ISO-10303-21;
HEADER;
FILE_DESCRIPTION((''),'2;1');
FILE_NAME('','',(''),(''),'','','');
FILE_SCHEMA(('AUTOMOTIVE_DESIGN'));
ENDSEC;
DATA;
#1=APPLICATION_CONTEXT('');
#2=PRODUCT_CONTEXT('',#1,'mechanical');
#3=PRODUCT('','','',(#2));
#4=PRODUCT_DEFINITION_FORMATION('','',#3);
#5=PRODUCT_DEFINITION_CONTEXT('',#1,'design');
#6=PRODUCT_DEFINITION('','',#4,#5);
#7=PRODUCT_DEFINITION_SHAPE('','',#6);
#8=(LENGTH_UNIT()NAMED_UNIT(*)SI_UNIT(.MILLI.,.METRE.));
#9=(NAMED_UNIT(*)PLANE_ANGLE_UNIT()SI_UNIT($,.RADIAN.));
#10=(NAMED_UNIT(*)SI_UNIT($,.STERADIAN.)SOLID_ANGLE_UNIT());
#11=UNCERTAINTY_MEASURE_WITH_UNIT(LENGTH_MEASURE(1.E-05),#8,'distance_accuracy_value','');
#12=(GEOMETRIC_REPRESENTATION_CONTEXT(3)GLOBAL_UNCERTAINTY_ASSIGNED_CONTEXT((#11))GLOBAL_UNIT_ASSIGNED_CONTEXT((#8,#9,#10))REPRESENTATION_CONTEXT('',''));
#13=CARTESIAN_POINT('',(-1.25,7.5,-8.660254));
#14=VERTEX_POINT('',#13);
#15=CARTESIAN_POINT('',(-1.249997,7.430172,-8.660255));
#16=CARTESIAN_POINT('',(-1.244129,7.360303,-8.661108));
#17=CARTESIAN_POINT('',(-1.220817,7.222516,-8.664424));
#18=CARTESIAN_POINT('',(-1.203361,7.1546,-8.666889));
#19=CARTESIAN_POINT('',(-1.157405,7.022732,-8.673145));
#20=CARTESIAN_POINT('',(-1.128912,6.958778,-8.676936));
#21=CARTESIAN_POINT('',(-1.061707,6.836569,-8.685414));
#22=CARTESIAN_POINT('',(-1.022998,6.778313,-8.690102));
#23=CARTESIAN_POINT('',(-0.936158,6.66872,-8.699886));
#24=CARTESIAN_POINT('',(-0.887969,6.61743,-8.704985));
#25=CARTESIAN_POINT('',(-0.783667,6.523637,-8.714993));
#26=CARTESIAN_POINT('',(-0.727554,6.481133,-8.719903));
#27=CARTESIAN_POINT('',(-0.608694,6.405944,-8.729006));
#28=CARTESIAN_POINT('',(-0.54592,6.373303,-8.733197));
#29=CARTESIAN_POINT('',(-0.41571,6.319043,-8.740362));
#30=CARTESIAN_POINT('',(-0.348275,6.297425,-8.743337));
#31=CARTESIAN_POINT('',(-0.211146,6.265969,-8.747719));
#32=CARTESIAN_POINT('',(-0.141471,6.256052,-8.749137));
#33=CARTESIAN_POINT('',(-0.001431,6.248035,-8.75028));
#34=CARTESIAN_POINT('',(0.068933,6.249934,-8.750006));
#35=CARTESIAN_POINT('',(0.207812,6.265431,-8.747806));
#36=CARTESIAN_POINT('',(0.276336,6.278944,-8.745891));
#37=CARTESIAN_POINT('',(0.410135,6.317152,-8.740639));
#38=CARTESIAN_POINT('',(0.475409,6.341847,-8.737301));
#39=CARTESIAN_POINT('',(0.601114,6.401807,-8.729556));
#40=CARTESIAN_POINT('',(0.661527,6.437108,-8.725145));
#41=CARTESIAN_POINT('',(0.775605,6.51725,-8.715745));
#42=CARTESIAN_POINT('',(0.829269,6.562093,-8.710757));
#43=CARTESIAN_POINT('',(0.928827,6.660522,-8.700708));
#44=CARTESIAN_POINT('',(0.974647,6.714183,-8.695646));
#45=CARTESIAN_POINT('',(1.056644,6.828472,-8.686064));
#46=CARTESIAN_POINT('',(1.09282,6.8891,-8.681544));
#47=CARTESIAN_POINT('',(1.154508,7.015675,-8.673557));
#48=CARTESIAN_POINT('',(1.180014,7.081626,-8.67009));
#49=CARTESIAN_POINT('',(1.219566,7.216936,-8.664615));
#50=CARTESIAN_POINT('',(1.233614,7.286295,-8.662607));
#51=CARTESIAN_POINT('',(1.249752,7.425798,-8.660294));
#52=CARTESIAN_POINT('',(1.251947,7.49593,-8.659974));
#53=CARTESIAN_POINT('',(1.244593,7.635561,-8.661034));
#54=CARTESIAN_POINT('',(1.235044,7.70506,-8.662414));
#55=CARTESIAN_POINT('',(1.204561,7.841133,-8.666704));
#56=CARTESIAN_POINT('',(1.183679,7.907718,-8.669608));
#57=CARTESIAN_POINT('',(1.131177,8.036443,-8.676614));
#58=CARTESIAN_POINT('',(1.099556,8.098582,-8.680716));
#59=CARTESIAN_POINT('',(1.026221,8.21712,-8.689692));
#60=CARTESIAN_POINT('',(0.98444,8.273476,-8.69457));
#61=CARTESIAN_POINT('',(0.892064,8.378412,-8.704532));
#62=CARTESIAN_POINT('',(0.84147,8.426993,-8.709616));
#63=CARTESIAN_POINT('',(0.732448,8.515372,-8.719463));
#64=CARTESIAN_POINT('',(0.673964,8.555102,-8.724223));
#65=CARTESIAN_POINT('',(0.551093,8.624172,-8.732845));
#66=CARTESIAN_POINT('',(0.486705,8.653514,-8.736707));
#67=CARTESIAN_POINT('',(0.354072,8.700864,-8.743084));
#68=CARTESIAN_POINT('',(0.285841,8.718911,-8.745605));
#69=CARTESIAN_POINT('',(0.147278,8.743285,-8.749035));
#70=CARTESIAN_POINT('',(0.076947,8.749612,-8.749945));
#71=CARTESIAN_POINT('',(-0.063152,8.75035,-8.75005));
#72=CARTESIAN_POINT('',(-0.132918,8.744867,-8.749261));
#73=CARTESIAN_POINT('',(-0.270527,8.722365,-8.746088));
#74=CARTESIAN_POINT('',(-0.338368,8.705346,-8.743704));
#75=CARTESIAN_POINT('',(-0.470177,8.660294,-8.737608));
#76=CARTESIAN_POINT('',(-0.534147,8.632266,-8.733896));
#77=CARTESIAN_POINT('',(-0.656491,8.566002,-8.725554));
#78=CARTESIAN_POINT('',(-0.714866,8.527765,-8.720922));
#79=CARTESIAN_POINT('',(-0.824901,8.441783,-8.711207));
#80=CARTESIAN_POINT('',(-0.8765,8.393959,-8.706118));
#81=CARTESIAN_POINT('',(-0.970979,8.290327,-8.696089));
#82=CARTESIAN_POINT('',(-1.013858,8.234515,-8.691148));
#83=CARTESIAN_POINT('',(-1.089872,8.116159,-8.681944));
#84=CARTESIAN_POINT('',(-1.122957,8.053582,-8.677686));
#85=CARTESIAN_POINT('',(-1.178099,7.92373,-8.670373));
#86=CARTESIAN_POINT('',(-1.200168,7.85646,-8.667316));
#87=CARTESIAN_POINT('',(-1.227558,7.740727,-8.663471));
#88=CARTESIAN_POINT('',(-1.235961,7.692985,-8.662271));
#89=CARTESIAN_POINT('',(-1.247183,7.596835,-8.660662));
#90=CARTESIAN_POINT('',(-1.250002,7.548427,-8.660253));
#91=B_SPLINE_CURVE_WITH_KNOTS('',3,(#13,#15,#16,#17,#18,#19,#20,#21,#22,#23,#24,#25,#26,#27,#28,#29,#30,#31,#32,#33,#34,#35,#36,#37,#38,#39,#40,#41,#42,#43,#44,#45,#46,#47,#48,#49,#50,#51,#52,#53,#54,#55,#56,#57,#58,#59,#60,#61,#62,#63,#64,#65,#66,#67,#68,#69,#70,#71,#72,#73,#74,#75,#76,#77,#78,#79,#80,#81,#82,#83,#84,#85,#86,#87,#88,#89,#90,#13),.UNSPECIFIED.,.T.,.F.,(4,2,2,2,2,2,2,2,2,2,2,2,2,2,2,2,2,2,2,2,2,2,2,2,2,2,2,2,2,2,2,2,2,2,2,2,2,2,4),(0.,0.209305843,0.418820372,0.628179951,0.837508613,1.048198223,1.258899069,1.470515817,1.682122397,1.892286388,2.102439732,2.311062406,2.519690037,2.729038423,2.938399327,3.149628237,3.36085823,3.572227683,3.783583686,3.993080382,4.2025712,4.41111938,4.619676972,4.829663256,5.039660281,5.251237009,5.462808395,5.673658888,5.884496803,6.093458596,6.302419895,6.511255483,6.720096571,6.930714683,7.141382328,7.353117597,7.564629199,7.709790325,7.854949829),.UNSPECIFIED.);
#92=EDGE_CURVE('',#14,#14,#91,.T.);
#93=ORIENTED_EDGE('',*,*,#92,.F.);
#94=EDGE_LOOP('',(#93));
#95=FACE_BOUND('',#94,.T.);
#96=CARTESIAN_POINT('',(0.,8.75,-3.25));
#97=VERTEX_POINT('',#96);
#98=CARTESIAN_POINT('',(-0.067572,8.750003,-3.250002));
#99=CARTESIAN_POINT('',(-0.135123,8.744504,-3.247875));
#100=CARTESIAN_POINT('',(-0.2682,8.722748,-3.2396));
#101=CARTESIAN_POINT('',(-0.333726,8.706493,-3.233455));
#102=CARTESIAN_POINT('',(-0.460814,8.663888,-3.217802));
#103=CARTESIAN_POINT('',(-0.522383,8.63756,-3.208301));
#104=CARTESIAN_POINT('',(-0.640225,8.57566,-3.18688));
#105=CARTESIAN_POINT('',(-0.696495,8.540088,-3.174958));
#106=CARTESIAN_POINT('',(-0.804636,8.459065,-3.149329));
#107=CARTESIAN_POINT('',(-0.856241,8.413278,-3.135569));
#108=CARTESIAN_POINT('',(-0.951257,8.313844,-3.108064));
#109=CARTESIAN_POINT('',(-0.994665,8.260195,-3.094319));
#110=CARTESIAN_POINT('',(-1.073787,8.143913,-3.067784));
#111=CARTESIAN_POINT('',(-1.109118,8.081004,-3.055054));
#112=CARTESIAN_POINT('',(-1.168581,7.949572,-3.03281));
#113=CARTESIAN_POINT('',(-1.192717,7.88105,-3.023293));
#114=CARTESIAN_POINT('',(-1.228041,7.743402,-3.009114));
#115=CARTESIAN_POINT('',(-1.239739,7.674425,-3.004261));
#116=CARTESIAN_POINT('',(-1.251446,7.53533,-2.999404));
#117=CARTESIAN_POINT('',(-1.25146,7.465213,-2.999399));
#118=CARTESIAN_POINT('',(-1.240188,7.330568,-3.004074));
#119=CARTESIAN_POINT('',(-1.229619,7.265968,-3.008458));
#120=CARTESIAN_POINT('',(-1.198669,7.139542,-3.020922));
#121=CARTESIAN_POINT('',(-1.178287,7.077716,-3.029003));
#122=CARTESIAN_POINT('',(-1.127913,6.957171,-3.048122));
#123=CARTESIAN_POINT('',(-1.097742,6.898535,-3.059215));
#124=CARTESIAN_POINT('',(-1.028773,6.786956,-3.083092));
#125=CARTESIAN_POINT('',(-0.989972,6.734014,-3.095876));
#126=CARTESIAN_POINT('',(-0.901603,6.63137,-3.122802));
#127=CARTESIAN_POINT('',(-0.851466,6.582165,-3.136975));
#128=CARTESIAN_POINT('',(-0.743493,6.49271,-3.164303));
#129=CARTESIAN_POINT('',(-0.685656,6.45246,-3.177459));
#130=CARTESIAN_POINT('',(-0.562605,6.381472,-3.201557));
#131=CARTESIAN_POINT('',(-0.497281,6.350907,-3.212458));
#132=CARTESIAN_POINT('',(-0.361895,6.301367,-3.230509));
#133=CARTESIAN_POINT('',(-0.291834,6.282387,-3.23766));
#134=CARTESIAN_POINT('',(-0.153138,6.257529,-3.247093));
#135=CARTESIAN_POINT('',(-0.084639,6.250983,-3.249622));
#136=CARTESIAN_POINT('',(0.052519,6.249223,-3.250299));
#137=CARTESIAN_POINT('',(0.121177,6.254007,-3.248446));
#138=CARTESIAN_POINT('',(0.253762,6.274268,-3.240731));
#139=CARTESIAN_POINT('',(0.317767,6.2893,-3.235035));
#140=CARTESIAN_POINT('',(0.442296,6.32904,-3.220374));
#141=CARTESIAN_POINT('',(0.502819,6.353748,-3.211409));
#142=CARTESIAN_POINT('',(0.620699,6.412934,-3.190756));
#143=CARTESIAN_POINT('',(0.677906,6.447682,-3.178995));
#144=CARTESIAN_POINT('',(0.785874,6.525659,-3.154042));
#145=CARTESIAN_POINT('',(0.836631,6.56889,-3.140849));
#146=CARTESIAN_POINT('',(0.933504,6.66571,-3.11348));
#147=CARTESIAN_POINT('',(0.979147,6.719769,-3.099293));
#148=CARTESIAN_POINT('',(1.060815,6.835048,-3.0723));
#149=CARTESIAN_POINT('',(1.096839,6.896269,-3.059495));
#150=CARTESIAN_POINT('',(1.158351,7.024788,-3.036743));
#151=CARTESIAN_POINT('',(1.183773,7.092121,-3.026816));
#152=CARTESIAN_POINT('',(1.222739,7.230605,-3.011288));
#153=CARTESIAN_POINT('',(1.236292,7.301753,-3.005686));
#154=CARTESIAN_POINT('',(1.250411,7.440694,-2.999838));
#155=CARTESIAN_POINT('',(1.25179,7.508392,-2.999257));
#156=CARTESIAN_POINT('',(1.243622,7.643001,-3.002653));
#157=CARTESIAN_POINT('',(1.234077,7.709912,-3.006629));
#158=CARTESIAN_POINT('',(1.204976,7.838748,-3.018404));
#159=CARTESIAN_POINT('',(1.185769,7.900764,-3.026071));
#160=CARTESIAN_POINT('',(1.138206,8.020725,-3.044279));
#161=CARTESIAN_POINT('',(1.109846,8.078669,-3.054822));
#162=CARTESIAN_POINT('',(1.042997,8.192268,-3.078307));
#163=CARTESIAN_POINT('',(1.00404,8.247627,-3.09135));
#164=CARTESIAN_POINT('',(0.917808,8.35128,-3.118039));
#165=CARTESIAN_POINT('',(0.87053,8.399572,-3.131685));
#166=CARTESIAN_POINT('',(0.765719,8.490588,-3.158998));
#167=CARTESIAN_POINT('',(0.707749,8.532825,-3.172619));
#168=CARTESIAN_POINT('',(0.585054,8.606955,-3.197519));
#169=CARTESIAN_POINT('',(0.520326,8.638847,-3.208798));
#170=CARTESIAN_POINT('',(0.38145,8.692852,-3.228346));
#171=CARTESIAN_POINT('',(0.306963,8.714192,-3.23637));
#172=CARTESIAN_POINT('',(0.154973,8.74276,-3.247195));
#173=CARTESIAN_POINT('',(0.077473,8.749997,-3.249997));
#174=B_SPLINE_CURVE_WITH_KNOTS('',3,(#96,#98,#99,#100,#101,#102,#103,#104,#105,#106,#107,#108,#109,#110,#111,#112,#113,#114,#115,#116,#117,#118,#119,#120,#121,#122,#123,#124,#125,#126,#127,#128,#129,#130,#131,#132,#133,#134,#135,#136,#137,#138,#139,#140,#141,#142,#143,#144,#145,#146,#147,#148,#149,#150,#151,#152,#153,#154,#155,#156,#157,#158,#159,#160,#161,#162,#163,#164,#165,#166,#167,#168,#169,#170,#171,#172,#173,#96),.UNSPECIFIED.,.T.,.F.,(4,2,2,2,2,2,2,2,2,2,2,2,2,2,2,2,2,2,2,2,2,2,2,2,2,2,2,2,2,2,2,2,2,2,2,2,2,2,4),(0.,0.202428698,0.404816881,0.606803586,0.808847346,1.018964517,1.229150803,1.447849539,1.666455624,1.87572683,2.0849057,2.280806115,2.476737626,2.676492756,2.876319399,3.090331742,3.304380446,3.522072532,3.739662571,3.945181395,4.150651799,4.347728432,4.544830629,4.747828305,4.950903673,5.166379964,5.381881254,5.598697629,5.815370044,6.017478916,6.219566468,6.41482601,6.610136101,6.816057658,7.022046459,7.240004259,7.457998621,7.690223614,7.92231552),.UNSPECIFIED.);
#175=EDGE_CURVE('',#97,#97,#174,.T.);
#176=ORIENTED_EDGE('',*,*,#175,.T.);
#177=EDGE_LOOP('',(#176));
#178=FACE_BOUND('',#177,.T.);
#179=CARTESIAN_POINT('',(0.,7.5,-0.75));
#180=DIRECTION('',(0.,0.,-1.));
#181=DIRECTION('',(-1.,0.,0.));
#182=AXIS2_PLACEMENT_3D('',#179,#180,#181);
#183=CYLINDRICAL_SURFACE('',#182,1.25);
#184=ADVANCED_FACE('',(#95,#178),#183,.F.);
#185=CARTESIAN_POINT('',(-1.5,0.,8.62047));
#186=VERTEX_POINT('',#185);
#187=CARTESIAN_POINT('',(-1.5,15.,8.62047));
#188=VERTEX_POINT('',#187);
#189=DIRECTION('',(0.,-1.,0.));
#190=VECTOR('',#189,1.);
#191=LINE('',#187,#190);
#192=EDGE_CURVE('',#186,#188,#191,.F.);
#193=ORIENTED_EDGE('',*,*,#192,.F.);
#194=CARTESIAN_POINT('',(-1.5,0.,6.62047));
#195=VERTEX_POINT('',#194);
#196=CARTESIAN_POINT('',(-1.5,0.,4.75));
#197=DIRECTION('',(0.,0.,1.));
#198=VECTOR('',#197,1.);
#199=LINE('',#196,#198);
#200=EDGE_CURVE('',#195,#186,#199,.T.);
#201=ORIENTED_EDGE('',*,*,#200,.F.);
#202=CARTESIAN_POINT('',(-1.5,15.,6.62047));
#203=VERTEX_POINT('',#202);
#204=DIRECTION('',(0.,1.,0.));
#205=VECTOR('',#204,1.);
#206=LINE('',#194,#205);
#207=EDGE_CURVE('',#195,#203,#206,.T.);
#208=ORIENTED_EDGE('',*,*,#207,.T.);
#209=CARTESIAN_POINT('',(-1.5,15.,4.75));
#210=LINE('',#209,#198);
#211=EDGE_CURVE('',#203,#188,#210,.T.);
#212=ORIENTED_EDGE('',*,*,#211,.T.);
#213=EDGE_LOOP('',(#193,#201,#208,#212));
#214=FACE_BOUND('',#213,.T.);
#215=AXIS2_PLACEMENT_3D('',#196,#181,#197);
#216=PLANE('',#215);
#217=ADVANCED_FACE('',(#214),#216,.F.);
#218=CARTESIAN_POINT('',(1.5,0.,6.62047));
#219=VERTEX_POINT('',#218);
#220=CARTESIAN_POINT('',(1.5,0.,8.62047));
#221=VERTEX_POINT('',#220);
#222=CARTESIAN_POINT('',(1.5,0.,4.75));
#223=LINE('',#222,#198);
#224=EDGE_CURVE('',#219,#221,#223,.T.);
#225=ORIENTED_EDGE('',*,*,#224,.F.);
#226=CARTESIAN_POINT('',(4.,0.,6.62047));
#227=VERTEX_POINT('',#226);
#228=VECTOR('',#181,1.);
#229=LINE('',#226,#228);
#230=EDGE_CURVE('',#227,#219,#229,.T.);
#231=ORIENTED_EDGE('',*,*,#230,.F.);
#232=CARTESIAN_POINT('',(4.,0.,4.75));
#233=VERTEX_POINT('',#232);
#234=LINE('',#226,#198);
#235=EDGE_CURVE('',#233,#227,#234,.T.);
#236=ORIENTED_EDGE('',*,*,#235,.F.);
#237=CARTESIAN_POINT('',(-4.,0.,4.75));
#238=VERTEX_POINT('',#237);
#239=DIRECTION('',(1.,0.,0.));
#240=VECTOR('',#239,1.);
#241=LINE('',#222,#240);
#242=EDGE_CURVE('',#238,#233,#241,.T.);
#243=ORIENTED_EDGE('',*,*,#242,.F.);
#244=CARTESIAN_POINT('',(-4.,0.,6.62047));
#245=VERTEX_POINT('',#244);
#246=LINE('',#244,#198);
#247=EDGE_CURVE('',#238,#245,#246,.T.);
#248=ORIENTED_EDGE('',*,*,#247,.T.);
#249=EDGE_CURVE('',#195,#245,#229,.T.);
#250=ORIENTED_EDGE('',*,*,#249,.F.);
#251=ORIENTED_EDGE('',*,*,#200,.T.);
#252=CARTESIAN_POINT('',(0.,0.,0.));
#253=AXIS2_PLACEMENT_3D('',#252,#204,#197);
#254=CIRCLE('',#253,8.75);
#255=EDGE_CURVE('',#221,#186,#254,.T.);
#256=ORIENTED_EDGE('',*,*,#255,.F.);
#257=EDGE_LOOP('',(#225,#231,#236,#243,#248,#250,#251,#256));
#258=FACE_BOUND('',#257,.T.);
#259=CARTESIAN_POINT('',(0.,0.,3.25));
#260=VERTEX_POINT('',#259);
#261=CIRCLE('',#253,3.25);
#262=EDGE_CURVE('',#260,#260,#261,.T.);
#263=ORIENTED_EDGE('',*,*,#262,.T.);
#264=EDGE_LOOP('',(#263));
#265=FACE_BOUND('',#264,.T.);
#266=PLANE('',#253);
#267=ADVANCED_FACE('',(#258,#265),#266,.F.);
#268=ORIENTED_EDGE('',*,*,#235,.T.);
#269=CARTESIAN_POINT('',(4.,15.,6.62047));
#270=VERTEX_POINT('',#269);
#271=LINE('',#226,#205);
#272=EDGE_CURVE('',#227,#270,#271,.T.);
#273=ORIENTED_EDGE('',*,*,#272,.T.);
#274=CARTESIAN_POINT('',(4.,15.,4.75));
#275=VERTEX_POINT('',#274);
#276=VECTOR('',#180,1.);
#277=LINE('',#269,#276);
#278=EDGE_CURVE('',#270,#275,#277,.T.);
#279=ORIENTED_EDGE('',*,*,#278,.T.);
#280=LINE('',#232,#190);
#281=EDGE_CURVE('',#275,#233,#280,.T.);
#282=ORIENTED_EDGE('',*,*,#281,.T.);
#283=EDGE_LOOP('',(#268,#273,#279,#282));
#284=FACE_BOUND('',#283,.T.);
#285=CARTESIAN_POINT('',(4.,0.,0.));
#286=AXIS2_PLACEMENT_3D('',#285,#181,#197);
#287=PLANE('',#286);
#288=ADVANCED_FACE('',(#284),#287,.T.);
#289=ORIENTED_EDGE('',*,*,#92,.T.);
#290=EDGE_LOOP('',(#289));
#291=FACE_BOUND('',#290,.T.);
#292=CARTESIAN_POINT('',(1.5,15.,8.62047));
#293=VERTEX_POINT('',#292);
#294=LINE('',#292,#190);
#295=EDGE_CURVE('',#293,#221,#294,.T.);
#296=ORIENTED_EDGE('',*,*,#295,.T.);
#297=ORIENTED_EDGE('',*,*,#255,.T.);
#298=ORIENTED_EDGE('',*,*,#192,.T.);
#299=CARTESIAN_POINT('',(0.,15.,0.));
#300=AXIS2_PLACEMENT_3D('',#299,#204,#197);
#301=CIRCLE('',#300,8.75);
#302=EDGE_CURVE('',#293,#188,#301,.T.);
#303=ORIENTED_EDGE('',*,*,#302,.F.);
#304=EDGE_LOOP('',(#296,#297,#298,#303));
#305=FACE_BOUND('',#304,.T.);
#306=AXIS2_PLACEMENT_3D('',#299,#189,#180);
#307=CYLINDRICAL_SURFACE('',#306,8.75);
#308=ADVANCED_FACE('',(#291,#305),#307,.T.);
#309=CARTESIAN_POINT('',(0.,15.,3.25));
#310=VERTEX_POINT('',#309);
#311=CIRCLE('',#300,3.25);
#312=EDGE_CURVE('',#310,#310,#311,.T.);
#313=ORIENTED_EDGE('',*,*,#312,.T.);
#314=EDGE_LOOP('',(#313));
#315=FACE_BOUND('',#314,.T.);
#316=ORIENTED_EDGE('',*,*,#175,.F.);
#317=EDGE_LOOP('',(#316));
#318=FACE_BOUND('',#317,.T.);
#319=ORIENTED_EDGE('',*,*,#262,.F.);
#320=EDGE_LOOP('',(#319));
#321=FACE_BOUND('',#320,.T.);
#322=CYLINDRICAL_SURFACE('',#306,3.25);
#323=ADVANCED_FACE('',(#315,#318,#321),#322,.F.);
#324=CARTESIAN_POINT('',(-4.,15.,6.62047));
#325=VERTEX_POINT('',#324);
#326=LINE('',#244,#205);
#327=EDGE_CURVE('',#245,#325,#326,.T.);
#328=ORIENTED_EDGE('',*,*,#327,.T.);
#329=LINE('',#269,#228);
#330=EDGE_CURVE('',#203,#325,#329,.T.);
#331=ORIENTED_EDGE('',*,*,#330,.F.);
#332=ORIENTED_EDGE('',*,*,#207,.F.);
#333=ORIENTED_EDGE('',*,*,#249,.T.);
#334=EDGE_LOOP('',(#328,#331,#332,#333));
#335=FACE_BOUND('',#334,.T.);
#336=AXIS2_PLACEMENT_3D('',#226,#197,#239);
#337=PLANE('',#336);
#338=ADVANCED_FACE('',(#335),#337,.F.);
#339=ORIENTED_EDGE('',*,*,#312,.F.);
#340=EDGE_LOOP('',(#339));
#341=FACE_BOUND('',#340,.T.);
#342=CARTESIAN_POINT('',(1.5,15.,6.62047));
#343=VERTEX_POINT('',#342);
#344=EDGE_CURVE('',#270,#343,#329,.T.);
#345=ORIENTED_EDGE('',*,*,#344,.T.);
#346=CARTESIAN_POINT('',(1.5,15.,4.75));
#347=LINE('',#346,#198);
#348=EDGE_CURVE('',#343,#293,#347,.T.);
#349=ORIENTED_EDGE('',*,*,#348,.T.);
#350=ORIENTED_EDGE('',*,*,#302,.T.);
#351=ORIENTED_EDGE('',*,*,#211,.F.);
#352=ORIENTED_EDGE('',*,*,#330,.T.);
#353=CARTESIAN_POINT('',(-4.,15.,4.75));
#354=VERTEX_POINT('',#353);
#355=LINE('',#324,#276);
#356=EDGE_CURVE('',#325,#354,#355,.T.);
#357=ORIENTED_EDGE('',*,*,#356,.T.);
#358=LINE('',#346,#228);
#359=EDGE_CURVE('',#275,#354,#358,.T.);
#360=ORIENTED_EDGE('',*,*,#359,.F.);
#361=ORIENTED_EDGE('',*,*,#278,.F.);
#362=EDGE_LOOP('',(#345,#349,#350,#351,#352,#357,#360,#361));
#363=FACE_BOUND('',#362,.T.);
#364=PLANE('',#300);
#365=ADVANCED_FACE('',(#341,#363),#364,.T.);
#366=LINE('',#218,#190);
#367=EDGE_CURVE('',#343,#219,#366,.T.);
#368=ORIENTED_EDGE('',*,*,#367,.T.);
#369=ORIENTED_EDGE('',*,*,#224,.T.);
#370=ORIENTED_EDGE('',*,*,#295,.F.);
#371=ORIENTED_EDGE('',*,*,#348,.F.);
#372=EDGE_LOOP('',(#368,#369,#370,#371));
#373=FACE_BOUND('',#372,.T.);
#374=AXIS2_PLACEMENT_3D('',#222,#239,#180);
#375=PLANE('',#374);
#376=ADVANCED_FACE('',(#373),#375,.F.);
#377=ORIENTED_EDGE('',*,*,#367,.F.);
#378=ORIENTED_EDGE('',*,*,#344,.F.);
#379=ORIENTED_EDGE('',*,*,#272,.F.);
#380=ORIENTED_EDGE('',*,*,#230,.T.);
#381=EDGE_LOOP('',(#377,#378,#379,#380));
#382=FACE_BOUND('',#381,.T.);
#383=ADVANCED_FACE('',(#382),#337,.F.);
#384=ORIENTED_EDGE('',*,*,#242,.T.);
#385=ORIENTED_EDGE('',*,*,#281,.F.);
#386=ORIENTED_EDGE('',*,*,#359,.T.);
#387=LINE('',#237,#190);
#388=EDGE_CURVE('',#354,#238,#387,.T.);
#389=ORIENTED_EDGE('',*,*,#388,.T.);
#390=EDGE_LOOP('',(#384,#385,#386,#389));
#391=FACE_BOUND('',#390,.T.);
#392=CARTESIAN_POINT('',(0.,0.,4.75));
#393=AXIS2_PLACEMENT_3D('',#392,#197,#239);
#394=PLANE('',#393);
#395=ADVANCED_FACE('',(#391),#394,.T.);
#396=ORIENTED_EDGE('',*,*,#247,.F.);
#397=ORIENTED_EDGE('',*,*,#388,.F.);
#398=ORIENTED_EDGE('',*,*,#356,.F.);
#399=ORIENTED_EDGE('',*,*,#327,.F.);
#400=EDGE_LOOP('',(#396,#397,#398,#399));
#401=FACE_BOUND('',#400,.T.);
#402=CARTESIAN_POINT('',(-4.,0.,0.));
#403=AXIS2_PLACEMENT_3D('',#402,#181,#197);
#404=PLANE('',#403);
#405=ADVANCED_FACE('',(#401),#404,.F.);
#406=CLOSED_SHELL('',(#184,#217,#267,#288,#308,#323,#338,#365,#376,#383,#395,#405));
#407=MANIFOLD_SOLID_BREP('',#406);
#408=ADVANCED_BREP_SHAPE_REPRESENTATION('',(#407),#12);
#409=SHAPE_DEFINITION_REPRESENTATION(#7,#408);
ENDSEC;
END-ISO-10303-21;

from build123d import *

# Parameters (mm, degrees)
SKETCH1_R           = 8.75
SKETCH1_R_2         = 3.25
BOSS_EXTRUDE1_DEPTH = 15
SKETCH2_W           = 3
SKETCH2_H           = 15
CUT_EXTRUDE2_DEPTH  = 4
SKETCH3_R           = 1.25
CUT_EXTRUDE3_DEPTH  = 8
SKETCH5_W           = 1.870469825
SKETCH5_H           = 15
CUT_EXTRUDE4_DEPTH  = 4


with BuildPart() as part:
    # Sketch1 → Boss-Extrude1 (new body)
    with BuildSketch(Plane(origin=(0, 0, 0), x_dir=(1, 0, 0), z_dir=(0, 1, 0))):
        Circle(SKETCH1_R)
        Circle(SKETCH1_R_2, mode=Mode.SUBTRACT)
    extrude(amount=BOSS_EXTRUDE1_DEPTH)

    # Sketch2 → Cut-Extrude2 (cut)
    with BuildSketch(Plane.XY.offset(8.75)):
        with Locations((0, 7.5)):
            Rectangle(SKETCH2_W, SKETCH2_H)
    extrude(amount=-CUT_EXTRUDE2_DEPTH, mode=Mode.SUBTRACT)

    # Sketch3 → Cut-Extrude3 (cut)
    with BuildSketch(Plane(origin=(0, 0, -8.75), x_dir=(-1, 0, 0), z_dir=(0, 0, -1))):
        with Locations((0, 7.5)):
            Circle(SKETCH3_R)
    extrude(amount=-CUT_EXTRUDE3_DEPTH, mode=Mode.SUBTRACT)

    # Sketch5 → Cut-Extrude4 (cut, symmetric)
    with BuildSketch(Plane.ZY):
        with Locations((5.685234913, 7.5)):
            Rectangle(SKETCH5_W, SKETCH5_H)
    extrude(amount=CUT_EXTRUDE4_DEPTH, both=True, mode=Mode.SUBTRACT)


solid = part.part
